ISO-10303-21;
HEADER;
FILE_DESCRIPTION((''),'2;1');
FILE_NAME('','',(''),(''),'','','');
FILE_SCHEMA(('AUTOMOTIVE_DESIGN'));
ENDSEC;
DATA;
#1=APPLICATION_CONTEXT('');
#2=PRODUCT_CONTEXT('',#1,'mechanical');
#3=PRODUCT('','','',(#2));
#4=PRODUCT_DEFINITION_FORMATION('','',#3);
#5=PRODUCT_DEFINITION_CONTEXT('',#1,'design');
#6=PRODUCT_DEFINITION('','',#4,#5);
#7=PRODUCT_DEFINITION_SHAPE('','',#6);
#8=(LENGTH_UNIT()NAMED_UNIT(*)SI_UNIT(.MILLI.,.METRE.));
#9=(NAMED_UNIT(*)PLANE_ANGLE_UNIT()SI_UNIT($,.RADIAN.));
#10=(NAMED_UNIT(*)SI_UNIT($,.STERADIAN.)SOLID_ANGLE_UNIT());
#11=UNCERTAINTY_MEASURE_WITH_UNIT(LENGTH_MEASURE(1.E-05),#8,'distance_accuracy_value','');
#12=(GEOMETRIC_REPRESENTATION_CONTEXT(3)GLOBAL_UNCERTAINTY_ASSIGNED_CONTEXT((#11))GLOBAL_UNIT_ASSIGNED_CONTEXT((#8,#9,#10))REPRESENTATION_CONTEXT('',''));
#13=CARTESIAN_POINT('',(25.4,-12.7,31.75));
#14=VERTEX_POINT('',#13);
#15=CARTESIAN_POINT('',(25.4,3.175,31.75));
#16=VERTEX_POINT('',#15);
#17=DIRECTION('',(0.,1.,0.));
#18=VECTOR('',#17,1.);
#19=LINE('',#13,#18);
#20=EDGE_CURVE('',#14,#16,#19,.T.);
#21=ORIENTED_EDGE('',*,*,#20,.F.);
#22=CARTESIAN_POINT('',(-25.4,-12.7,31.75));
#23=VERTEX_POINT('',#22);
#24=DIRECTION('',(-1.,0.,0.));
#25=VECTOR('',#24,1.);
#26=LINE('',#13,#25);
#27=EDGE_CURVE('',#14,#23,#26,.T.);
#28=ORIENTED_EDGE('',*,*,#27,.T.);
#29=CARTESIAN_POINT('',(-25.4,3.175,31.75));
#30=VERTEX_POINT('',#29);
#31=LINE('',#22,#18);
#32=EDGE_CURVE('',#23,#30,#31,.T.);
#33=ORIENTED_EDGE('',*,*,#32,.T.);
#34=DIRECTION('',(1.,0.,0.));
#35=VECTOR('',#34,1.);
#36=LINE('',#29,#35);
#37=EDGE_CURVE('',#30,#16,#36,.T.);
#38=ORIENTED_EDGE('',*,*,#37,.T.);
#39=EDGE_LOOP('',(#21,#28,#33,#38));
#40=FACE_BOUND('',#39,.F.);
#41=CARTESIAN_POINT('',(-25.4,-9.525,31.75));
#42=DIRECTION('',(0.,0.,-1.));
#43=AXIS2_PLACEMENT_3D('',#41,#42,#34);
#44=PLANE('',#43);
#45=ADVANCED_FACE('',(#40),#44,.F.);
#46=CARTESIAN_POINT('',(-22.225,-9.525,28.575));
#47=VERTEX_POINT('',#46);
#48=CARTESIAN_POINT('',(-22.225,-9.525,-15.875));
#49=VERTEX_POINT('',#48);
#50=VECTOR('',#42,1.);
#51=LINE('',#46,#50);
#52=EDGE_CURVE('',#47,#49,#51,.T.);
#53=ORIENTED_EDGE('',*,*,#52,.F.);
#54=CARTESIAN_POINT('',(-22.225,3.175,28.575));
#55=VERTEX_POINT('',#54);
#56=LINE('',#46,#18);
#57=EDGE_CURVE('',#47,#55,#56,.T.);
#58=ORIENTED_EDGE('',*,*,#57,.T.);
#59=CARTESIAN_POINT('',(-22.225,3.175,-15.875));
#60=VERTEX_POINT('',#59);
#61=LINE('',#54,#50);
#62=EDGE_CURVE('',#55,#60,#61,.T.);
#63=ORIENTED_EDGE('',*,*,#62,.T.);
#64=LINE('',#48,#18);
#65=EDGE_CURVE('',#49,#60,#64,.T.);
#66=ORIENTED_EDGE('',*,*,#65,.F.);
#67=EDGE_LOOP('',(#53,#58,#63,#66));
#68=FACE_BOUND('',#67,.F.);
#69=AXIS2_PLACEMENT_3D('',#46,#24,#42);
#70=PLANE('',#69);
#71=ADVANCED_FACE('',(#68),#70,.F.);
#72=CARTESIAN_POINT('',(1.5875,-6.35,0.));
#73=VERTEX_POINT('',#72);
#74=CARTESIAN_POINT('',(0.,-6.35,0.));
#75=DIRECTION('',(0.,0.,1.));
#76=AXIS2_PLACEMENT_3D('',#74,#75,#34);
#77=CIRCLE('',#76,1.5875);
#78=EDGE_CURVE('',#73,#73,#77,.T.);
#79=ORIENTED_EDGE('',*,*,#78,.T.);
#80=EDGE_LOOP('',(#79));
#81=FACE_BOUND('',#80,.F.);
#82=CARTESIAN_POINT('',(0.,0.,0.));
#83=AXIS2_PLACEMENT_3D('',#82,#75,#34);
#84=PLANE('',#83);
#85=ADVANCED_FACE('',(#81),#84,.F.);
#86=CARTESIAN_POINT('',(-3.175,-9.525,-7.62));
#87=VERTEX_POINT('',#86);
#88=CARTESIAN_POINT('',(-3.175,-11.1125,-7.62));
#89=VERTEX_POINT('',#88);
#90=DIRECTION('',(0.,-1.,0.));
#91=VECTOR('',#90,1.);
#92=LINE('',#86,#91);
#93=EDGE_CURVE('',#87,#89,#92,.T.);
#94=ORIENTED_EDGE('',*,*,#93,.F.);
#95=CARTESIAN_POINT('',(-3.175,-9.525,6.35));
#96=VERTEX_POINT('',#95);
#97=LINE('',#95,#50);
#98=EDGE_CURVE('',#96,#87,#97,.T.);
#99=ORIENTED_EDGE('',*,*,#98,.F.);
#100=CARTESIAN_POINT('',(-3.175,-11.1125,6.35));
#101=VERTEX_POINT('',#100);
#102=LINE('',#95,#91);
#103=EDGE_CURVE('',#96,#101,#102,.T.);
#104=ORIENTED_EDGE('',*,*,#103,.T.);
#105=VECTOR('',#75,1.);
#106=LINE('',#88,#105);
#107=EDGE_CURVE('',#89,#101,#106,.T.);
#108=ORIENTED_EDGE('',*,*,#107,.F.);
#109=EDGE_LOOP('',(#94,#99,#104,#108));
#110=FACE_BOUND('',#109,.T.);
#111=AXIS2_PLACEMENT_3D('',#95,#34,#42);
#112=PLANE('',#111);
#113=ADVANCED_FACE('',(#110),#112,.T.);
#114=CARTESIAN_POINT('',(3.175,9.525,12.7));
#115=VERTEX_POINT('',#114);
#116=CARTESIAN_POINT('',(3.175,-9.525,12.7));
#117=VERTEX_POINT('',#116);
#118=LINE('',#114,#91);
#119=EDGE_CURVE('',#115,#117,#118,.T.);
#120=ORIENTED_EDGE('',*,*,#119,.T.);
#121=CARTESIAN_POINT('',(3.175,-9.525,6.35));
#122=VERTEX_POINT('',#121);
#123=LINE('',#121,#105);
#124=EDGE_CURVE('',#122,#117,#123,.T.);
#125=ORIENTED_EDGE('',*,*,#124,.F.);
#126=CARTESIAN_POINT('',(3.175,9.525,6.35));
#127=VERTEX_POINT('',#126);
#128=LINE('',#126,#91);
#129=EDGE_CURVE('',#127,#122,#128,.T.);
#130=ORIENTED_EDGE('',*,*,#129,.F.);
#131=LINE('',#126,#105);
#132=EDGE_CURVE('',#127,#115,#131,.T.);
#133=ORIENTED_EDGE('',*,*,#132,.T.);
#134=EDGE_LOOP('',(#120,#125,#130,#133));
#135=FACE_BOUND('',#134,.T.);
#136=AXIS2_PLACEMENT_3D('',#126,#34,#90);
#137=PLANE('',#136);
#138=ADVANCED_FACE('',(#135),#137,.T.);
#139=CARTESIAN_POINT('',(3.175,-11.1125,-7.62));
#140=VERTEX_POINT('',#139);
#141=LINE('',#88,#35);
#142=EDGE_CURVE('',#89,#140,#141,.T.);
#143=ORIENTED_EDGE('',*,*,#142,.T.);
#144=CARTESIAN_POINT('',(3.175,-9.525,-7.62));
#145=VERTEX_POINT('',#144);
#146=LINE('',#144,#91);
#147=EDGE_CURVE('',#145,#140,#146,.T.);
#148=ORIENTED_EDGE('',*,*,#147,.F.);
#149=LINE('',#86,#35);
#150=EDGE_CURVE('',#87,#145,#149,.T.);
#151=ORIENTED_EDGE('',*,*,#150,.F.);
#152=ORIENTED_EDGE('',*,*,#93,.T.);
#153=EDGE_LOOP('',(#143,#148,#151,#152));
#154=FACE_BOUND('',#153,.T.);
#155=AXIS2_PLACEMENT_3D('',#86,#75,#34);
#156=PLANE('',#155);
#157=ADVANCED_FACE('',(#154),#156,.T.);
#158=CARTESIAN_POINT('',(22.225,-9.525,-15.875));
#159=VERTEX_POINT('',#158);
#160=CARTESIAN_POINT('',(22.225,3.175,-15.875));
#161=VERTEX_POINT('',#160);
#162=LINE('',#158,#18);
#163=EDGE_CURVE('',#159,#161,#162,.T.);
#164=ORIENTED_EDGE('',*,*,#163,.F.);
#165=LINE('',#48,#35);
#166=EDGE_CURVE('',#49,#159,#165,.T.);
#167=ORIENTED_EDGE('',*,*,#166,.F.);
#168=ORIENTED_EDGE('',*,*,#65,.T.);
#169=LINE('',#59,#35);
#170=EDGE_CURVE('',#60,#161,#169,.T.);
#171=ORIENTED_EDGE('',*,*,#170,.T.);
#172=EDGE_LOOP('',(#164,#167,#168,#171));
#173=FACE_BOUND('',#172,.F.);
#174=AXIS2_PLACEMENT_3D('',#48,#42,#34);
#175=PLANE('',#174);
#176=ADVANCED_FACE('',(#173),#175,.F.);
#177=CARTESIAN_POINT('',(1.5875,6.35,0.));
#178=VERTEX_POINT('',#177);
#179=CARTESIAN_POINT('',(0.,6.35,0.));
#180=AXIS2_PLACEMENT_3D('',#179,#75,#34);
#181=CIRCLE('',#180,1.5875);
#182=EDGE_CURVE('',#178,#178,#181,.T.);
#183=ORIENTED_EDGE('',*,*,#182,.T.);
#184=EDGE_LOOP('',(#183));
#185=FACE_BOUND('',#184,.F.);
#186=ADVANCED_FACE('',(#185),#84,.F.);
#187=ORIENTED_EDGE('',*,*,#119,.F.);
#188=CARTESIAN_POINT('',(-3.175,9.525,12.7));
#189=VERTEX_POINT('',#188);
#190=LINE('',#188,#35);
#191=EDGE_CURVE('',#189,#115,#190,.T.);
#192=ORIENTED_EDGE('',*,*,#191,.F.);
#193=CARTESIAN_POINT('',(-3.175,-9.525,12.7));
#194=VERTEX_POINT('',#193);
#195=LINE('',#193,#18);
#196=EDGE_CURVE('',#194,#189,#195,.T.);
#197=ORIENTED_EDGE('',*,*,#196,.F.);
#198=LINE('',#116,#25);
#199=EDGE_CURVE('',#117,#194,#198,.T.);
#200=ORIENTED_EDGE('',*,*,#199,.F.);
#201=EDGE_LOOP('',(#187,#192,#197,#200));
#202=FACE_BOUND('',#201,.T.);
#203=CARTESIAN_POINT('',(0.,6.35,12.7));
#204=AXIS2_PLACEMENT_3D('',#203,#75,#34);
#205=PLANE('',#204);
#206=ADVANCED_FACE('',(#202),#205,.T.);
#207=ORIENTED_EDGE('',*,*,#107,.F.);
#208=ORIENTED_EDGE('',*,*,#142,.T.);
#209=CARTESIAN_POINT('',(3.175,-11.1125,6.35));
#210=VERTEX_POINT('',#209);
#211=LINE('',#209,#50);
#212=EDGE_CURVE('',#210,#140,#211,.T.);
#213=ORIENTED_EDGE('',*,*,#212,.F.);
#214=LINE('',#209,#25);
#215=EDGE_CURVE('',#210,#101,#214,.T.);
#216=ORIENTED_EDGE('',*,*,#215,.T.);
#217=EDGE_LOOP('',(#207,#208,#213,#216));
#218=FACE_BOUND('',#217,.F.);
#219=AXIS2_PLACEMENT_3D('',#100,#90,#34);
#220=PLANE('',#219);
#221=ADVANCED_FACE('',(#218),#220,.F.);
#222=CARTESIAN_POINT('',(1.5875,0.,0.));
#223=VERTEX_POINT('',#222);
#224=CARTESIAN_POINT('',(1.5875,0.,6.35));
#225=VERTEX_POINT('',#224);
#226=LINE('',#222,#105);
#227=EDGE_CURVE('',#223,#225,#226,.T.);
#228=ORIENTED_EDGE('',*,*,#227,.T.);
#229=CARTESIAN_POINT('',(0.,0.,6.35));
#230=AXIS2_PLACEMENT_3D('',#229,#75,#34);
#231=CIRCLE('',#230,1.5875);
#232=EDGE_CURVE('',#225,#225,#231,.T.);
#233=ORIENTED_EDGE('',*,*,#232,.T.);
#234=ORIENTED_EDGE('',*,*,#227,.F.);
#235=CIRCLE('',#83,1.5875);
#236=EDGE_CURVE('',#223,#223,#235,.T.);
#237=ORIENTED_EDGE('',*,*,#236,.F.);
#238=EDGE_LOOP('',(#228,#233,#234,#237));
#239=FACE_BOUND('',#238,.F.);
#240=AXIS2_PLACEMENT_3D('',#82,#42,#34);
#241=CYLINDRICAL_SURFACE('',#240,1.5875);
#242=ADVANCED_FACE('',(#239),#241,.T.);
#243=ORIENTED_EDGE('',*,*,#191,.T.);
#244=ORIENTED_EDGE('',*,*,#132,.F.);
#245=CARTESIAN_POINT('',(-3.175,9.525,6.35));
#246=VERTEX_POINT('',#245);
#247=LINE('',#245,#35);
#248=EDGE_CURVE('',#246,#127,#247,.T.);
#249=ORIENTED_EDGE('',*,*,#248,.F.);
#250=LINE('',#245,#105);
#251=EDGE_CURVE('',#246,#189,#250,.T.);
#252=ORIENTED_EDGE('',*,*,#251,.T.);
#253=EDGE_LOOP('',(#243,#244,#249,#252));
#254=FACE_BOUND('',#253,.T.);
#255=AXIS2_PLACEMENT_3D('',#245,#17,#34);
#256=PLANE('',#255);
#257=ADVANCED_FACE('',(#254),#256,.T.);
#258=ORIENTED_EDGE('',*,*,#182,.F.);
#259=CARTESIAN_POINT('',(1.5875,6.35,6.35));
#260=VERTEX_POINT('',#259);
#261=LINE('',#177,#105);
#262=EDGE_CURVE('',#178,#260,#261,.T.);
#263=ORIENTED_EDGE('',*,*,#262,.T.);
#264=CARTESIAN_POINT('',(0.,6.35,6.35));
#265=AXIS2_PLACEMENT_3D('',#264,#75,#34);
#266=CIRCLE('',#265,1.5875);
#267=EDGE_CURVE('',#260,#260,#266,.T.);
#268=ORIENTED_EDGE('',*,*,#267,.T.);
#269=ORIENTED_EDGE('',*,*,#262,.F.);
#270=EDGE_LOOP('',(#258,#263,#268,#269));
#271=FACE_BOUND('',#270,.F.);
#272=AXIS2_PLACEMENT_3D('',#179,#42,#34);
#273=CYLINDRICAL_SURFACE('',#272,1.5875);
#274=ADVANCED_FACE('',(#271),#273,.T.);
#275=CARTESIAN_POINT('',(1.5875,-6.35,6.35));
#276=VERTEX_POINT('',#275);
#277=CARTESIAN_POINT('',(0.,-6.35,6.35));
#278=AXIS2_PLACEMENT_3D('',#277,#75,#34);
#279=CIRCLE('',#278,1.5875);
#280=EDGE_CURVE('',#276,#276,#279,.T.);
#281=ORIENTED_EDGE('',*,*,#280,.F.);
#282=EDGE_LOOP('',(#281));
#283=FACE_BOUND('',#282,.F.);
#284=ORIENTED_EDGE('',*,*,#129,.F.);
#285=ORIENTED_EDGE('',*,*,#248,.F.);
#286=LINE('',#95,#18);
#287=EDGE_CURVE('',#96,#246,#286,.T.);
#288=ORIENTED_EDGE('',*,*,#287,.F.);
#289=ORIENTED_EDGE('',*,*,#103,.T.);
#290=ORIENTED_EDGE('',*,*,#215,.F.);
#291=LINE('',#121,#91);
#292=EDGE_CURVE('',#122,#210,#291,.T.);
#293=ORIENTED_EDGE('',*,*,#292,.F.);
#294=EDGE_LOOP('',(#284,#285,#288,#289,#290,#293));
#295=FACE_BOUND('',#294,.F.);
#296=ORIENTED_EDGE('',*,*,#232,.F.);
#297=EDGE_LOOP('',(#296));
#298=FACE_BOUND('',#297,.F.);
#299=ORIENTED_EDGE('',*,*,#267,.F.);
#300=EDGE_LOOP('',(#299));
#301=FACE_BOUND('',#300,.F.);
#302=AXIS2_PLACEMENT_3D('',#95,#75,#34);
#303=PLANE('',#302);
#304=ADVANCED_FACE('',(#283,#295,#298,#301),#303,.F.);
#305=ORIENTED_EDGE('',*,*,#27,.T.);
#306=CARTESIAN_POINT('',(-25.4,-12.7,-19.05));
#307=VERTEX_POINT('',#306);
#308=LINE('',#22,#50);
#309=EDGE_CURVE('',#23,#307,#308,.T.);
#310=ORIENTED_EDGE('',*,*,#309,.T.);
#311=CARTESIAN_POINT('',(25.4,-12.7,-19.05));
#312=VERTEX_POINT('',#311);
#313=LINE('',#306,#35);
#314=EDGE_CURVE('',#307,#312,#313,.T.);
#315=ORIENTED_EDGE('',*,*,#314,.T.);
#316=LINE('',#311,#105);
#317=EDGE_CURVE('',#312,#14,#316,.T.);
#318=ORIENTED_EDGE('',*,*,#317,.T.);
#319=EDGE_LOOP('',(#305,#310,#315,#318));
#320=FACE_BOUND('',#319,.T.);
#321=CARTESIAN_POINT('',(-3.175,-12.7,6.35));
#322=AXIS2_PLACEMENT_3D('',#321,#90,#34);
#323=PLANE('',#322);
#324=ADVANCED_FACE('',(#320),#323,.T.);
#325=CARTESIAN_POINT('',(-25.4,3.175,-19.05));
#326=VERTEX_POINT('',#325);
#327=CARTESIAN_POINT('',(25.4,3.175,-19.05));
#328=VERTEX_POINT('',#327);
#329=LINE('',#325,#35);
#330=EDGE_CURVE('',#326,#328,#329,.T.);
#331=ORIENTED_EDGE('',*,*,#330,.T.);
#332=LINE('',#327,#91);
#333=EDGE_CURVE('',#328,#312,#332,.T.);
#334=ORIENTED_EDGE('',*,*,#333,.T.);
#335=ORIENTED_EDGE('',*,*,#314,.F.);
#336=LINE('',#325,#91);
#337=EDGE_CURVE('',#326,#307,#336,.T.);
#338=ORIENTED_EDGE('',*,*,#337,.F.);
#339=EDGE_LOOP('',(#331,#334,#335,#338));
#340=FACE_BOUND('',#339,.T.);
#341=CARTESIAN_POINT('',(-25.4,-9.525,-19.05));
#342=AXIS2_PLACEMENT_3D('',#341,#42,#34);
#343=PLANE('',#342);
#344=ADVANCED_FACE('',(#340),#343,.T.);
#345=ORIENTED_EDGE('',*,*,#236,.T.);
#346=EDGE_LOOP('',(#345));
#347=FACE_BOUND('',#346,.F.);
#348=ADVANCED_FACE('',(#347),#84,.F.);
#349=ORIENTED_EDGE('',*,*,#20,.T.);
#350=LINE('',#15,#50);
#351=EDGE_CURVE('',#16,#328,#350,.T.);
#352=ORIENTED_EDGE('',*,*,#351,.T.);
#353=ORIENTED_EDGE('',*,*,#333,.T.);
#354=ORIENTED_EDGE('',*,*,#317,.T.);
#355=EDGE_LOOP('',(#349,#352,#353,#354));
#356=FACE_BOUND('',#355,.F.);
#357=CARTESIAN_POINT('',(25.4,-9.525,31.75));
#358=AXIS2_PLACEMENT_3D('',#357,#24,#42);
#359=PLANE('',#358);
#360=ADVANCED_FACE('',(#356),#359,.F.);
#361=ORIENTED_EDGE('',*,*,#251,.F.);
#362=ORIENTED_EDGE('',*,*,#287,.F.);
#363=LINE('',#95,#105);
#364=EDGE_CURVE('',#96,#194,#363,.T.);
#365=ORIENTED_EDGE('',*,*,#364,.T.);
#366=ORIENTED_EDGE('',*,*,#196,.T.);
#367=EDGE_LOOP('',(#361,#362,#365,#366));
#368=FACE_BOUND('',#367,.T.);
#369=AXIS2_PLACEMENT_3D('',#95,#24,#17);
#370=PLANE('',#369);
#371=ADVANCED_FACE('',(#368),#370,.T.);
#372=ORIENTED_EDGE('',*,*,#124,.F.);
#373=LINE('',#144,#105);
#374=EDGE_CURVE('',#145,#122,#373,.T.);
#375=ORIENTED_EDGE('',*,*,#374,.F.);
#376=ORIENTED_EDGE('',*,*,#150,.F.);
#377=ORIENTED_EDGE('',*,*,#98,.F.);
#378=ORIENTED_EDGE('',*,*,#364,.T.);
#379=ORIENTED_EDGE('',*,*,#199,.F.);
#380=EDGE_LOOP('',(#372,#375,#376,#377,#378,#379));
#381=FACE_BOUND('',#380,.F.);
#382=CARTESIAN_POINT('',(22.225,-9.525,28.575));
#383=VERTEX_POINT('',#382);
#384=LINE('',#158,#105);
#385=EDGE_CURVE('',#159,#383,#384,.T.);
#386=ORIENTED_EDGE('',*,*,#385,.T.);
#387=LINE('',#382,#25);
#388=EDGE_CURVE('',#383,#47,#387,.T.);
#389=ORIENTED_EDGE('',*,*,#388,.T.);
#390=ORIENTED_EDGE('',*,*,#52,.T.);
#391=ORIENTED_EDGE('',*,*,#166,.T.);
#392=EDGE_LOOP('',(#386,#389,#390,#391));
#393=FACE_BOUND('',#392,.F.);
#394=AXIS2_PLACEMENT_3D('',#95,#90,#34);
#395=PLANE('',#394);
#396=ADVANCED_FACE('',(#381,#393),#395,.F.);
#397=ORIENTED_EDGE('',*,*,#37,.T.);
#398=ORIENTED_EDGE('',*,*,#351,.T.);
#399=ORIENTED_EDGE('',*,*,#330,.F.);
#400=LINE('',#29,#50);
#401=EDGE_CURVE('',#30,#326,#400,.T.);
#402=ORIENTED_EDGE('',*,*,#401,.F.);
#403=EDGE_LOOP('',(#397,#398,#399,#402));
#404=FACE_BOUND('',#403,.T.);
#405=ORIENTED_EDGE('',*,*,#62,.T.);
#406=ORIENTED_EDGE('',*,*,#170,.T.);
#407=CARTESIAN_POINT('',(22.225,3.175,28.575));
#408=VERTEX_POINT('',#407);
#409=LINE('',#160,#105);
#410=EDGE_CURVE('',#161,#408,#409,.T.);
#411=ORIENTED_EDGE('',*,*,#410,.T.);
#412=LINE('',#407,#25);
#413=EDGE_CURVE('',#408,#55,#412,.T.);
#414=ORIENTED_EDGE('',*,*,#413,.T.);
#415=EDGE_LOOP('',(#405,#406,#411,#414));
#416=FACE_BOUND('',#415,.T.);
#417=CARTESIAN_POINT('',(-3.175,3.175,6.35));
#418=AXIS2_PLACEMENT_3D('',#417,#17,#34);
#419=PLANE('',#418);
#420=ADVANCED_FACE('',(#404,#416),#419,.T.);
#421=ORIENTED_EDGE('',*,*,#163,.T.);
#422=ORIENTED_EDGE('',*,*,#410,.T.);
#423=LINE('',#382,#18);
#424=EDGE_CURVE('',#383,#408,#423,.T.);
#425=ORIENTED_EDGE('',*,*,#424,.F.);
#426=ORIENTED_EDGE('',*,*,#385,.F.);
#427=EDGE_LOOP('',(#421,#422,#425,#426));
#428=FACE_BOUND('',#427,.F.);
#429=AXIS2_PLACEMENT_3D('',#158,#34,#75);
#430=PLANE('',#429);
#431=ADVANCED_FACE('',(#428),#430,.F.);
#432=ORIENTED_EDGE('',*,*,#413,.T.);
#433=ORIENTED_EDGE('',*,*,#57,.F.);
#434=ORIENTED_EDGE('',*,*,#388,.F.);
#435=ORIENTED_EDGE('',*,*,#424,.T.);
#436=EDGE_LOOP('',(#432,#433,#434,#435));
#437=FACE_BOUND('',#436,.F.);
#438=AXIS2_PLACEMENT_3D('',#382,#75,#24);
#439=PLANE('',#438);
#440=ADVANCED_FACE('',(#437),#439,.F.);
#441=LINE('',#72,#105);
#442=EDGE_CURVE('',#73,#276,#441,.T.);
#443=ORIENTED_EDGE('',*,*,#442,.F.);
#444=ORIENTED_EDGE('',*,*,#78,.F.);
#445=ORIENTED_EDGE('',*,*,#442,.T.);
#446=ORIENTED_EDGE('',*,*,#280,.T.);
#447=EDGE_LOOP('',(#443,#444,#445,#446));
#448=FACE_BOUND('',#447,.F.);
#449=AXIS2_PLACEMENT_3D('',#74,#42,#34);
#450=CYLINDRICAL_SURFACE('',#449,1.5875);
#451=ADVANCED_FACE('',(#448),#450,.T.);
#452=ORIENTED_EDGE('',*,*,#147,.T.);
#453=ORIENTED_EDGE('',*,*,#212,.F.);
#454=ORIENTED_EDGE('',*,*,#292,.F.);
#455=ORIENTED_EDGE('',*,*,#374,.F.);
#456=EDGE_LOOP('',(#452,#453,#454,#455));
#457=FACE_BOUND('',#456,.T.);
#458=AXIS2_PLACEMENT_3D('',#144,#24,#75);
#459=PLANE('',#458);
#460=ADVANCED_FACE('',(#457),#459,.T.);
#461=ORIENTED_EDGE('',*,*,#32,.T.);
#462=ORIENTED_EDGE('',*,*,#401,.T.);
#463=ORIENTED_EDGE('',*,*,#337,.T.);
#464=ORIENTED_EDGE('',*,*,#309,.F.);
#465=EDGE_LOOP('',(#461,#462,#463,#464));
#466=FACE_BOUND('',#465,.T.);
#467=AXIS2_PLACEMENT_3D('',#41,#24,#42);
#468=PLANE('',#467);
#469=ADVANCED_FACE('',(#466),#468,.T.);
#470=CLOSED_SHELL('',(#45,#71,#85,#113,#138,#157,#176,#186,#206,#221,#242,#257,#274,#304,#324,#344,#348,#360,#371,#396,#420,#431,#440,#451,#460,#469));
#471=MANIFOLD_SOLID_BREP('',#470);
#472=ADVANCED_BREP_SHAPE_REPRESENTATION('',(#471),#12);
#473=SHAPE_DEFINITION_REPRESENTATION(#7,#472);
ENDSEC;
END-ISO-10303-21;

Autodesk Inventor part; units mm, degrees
ref_plane "YZ Plane" through (0, 0, 0) normal (1, 0, 0) x (0, 1, 0)
ref_plane "XZ Plane" through (0, 0, 0) normal (0, 1, 0) x (-1, 0, 0)
ref_plane "XY Plane" through (0, 0, 0) normal (0, 0, 1) x (1, 0, 0)
sketch "Sketch1" plane through (0, 0, 0) normal (0, 0, 1) x (1, 0, 0)
  circle A0 centre (0, 6.35) radius 1.5875
  circle A1 centre (0, 0) radius 1.5875
  circle A2 centre (0, -6.35) radius 1.5875
  dimension "d0" = 3.175
  dimension "d1" = 6.35
  dimension "d2" = 6.35
extrude "Extrusion1" add sketch "Sketch1" along normal blind 6.35
sketch "Sketch2" plane through (0, 6.35, 6.35) normal (0, 0, 1) x (1, 0, 0)
  line L0 (-3.175, 3.175) -> (3.175, 3.175)
  line L1 (3.175, 3.175) -> (3.175, -15.875)
  line L2 (3.175, -15.875) -> (-3.175, -15.875)
  line L3 (-3.175, -15.875) -> (-3.175, 3.175)
  circle A0 centre (0, 0) radius 1.5875 projected
  circle A1 centre (0, -12.7) radius 1.5875 projected
  point P0 (0, -6.35)
  dimension "d5" = 6.35
  dimension "d7" = 3.175
  dimension "d8" = 3.175
  dimension "d11" = 3.175
extrude "Extrusion2" add sketch "Sketch2" along normal blind 6.35 contours L0 L1 L2 L3 | A0 | A1
sketch "Sketch3" plane through (-3.175, -9.525, 6.35) normal (0, -1, 0) x (1, 0, 0)
  line L0 (28.575, 25.4) -> (-22.225, 25.4)
  line L1 (-22.225, 25.4) -> (-22.225, -25.4)
  line L2 (-22.225, -25.4) -> (28.575, -25.4)
  line L3 (28.575, -25.4) -> (28.575, 25.4)
  line L4 (0, 0) -> (6.35, 0) projected
  line L5 (6.35, 0) -> (0, 0)
  line L6 (0, 0) -> (0, -13.97)
  line L7 (0, -13.97) -> (6.35, -13.97)
  line L8 (6.35, -13.97) -> (6.35, 0)
  point P0 (3.175, -6.35)
  dimension "d12" = 50.8
  dimension "d13" = 50.8
  dimension "d14" = 25.4
  dimension "d15" = 25.4
  dimension "d16" = 6.35
  dimension "d17" = 0
  dimension "d18" = 22.225
  dimension "d19" = 13.97
extrude "Extrusion3" add sketch "Sketch3" along normal blind 3.175
sketch "Sketch4" plane through (-3.175, -9.525, 6.35) normal (0, 1, 0) x (1, 0, 0)
  line L0 (-22.225, -25.4) -> (-22.225, 25.4) projected
  line L1 (-22.225, 25.4) -> (28.575, 25.4) projected
  line L2 (-22.225, -25.4) -> (28.575, -25.4)
  line L3 (28.575, -25.4) -> (28.575, 25.4)
  line L4 (28.575, 25.4) -> (-22.225, 25.4)
  line L5 (-22.225, 25.4) -> (-22.225, -25.4)
  line L6 (25.4, -22.225) -> (-19.05, -22.225)
  line L7 (-19.05, -22.225) -> (-19.05, 22.225)
  line L8 (-19.05, 22.225) -> (25.4, 22.225)
  line L9 (25.4, 22.225) -> (25.4, -22.225)
  point P0 (3.175, 6.35)
  dimension "d22" = 3.175
extrude "Extrusion4" add sketch "Sketch4" along normal blind 12.7
sketch "Sketch5" plane through (-3.175, -12.7, 6.35) normal (0, -1, 0) x (1, 0, 0)
  line L0 (6.35, 0) -> (6.35, -13.97) projected
  line L1 (0, -13.97) -> (0, 0) projected
  line L2 (6.35, 0) -> (0, 0)
  line L3 (0, 0) -> (0, -13.97)
  line L4 (0, -13.97) -> (6.35, -13.97)
  line L5 (6.35, -13.97) -> (6.35, 0)
  point P0 (3.175, -6.35)
extrude "Extrusion5" add sketch "Sketch5" against normal blind 1.5875
properties part number "Weight1"
